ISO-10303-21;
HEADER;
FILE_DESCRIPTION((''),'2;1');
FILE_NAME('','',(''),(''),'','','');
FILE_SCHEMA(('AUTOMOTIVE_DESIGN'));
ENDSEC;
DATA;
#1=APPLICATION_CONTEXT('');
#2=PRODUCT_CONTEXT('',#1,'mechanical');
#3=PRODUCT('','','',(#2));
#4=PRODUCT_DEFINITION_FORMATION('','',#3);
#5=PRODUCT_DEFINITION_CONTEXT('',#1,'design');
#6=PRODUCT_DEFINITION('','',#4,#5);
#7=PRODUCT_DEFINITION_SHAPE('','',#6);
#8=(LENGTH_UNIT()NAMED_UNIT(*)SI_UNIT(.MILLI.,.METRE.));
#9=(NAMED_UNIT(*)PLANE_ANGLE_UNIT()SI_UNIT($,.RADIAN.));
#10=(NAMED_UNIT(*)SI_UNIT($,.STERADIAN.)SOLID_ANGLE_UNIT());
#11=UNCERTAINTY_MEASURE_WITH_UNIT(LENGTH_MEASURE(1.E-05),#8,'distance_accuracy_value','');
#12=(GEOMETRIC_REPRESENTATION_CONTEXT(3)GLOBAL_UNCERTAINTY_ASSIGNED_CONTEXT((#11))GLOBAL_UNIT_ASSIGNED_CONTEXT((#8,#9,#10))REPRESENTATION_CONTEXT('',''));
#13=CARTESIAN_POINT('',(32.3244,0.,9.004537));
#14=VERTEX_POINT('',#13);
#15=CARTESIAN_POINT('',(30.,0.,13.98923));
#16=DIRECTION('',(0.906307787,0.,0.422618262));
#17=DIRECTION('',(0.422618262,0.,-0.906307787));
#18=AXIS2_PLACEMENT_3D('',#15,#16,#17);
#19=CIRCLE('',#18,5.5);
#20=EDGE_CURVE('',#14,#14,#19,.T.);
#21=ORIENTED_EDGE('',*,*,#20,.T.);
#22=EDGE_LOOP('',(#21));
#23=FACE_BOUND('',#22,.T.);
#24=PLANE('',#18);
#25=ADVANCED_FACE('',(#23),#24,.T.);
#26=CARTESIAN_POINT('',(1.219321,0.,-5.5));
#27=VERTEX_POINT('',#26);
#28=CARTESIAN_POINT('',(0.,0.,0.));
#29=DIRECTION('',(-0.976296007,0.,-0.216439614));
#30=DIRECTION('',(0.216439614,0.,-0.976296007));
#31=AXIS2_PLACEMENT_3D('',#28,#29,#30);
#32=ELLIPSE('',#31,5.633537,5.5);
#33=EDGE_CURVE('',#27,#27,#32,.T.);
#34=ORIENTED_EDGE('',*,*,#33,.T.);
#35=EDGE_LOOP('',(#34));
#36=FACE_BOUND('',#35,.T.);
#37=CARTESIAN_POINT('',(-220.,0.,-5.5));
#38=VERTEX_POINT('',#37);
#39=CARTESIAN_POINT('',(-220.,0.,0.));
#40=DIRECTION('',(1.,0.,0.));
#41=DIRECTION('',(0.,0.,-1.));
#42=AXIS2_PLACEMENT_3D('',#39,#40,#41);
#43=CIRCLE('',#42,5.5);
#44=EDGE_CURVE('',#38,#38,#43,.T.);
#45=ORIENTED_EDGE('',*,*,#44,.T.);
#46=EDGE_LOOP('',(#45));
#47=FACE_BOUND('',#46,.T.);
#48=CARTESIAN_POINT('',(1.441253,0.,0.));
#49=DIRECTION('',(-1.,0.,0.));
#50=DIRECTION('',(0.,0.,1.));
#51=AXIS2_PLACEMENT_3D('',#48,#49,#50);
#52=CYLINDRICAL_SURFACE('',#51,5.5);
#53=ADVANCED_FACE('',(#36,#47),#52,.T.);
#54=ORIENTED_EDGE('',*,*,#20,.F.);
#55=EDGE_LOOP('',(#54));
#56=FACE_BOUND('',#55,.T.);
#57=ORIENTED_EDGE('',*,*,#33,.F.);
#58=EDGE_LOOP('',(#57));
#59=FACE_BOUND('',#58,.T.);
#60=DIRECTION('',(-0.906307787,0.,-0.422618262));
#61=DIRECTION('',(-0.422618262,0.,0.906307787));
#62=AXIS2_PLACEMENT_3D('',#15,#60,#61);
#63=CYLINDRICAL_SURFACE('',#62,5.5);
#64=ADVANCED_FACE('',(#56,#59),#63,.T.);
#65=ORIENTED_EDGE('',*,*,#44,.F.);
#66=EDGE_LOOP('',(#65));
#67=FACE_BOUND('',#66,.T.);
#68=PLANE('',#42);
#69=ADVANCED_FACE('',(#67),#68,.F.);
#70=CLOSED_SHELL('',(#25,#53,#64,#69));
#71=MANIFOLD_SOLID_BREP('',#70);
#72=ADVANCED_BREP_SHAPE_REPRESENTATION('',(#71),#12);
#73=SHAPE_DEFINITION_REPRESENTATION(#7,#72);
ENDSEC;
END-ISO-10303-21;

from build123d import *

# Parameters (mm, degrees)
CROQUIS3_R = 5.5


with BuildPart() as part:
    # Barrer1: sweep along a path in Croquis1
    with BuildLine(Plane(origin=(0, 0, 0), x_dir=(1, 0, 0), z_dir=(0, 1, 0))) as barrer1_path:
        Line((-220, 0), (0, 0))
        Line((0, 0), (30, -13.989229745))
    # Croquis3 → Barrer1 (sweep)
    with BuildSketch(Plane(origin=(0, 0, 0), x_dir=(0, 0, -1), z_dir=(1, 0, 0))):
        Circle(CROQUIS3_R)
    sweep(path=barrer1_path.line, transition=Transition.RIGHT)


solid = part.part
